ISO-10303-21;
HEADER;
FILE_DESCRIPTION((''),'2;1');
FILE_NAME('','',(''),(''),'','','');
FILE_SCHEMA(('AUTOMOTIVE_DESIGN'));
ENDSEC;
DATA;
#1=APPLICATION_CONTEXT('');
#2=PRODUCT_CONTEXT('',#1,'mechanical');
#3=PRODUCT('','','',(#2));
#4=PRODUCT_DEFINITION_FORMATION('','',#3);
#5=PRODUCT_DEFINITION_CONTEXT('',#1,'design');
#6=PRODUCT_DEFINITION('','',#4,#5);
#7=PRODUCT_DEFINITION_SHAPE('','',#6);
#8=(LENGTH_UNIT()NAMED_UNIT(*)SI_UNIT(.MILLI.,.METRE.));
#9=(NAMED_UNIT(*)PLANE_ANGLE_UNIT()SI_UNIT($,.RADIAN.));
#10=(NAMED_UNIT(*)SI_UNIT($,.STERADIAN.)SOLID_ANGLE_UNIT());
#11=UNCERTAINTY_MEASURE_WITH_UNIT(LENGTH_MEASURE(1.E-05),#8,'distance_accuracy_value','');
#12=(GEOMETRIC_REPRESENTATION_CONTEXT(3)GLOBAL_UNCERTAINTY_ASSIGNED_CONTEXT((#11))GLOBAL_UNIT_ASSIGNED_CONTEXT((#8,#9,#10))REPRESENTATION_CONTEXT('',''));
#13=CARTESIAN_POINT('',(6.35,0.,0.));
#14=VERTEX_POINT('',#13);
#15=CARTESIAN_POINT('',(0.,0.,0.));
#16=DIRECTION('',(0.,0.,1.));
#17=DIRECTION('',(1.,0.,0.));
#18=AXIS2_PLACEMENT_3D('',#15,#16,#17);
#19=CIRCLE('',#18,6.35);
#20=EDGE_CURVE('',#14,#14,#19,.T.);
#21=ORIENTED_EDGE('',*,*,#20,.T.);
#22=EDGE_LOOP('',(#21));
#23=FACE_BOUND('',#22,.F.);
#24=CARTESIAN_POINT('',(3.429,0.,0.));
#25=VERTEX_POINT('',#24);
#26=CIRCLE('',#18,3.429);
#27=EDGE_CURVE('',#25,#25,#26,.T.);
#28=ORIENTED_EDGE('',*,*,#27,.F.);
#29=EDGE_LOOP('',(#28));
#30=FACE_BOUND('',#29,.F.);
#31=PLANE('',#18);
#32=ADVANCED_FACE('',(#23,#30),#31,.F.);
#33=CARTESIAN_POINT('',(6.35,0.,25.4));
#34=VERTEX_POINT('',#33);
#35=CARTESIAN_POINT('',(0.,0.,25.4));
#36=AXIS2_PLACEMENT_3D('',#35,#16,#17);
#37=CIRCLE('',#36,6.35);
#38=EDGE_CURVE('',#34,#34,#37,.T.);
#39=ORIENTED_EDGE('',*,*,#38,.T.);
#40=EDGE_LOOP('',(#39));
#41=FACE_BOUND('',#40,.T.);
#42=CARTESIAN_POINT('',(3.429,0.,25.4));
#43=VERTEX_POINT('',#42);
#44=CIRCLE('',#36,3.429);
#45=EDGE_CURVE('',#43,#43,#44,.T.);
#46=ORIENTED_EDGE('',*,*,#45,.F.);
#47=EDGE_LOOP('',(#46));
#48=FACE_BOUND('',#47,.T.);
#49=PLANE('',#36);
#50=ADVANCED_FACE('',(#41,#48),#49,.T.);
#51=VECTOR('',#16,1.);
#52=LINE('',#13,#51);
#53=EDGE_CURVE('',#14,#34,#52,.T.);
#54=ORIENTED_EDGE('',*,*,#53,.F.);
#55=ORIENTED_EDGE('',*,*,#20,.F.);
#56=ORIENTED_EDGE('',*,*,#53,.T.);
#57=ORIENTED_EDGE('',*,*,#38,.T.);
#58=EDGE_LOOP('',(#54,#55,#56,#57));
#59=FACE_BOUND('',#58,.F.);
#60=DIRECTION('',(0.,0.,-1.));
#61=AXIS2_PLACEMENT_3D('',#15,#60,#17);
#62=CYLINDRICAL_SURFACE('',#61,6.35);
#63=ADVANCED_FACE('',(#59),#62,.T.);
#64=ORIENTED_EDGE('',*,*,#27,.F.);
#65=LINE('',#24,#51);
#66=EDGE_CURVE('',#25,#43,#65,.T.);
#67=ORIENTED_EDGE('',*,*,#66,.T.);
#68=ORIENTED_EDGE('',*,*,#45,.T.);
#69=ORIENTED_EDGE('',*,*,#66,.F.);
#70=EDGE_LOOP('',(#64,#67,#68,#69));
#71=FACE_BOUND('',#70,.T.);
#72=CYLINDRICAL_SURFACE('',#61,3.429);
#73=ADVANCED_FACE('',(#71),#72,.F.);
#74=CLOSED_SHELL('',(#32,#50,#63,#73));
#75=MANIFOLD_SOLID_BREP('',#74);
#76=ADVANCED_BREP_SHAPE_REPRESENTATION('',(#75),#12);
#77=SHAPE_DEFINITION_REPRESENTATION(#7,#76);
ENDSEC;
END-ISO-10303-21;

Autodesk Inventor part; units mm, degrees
ref_plane "YZ Plane" through (0, 0, 0) normal (1, 0, 0) x (0, 1, 0)
ref_plane "XZ Plane" through (0, 0, 0) normal (0, 1, 0) x (-1, 0, 0)
ref_plane "XY Plane" through (0, 0, 0) normal (0, 0, 1) x (1, 0, 0)
sketch "Sketch1" plane through (0, 0, 0) normal (0, 0, 1) x (1, 0, 0)
  circle A0 centre (0, 0) radius 3.429
  circle A1 centre (0, 0) radius 6.35
  dimension "d0" = 12.7
  dimension "d1" = 6.858
extrude "Extrusion1" add sketch "Sketch1" along normal blind 25.4
properties part number "Top Spacer"
